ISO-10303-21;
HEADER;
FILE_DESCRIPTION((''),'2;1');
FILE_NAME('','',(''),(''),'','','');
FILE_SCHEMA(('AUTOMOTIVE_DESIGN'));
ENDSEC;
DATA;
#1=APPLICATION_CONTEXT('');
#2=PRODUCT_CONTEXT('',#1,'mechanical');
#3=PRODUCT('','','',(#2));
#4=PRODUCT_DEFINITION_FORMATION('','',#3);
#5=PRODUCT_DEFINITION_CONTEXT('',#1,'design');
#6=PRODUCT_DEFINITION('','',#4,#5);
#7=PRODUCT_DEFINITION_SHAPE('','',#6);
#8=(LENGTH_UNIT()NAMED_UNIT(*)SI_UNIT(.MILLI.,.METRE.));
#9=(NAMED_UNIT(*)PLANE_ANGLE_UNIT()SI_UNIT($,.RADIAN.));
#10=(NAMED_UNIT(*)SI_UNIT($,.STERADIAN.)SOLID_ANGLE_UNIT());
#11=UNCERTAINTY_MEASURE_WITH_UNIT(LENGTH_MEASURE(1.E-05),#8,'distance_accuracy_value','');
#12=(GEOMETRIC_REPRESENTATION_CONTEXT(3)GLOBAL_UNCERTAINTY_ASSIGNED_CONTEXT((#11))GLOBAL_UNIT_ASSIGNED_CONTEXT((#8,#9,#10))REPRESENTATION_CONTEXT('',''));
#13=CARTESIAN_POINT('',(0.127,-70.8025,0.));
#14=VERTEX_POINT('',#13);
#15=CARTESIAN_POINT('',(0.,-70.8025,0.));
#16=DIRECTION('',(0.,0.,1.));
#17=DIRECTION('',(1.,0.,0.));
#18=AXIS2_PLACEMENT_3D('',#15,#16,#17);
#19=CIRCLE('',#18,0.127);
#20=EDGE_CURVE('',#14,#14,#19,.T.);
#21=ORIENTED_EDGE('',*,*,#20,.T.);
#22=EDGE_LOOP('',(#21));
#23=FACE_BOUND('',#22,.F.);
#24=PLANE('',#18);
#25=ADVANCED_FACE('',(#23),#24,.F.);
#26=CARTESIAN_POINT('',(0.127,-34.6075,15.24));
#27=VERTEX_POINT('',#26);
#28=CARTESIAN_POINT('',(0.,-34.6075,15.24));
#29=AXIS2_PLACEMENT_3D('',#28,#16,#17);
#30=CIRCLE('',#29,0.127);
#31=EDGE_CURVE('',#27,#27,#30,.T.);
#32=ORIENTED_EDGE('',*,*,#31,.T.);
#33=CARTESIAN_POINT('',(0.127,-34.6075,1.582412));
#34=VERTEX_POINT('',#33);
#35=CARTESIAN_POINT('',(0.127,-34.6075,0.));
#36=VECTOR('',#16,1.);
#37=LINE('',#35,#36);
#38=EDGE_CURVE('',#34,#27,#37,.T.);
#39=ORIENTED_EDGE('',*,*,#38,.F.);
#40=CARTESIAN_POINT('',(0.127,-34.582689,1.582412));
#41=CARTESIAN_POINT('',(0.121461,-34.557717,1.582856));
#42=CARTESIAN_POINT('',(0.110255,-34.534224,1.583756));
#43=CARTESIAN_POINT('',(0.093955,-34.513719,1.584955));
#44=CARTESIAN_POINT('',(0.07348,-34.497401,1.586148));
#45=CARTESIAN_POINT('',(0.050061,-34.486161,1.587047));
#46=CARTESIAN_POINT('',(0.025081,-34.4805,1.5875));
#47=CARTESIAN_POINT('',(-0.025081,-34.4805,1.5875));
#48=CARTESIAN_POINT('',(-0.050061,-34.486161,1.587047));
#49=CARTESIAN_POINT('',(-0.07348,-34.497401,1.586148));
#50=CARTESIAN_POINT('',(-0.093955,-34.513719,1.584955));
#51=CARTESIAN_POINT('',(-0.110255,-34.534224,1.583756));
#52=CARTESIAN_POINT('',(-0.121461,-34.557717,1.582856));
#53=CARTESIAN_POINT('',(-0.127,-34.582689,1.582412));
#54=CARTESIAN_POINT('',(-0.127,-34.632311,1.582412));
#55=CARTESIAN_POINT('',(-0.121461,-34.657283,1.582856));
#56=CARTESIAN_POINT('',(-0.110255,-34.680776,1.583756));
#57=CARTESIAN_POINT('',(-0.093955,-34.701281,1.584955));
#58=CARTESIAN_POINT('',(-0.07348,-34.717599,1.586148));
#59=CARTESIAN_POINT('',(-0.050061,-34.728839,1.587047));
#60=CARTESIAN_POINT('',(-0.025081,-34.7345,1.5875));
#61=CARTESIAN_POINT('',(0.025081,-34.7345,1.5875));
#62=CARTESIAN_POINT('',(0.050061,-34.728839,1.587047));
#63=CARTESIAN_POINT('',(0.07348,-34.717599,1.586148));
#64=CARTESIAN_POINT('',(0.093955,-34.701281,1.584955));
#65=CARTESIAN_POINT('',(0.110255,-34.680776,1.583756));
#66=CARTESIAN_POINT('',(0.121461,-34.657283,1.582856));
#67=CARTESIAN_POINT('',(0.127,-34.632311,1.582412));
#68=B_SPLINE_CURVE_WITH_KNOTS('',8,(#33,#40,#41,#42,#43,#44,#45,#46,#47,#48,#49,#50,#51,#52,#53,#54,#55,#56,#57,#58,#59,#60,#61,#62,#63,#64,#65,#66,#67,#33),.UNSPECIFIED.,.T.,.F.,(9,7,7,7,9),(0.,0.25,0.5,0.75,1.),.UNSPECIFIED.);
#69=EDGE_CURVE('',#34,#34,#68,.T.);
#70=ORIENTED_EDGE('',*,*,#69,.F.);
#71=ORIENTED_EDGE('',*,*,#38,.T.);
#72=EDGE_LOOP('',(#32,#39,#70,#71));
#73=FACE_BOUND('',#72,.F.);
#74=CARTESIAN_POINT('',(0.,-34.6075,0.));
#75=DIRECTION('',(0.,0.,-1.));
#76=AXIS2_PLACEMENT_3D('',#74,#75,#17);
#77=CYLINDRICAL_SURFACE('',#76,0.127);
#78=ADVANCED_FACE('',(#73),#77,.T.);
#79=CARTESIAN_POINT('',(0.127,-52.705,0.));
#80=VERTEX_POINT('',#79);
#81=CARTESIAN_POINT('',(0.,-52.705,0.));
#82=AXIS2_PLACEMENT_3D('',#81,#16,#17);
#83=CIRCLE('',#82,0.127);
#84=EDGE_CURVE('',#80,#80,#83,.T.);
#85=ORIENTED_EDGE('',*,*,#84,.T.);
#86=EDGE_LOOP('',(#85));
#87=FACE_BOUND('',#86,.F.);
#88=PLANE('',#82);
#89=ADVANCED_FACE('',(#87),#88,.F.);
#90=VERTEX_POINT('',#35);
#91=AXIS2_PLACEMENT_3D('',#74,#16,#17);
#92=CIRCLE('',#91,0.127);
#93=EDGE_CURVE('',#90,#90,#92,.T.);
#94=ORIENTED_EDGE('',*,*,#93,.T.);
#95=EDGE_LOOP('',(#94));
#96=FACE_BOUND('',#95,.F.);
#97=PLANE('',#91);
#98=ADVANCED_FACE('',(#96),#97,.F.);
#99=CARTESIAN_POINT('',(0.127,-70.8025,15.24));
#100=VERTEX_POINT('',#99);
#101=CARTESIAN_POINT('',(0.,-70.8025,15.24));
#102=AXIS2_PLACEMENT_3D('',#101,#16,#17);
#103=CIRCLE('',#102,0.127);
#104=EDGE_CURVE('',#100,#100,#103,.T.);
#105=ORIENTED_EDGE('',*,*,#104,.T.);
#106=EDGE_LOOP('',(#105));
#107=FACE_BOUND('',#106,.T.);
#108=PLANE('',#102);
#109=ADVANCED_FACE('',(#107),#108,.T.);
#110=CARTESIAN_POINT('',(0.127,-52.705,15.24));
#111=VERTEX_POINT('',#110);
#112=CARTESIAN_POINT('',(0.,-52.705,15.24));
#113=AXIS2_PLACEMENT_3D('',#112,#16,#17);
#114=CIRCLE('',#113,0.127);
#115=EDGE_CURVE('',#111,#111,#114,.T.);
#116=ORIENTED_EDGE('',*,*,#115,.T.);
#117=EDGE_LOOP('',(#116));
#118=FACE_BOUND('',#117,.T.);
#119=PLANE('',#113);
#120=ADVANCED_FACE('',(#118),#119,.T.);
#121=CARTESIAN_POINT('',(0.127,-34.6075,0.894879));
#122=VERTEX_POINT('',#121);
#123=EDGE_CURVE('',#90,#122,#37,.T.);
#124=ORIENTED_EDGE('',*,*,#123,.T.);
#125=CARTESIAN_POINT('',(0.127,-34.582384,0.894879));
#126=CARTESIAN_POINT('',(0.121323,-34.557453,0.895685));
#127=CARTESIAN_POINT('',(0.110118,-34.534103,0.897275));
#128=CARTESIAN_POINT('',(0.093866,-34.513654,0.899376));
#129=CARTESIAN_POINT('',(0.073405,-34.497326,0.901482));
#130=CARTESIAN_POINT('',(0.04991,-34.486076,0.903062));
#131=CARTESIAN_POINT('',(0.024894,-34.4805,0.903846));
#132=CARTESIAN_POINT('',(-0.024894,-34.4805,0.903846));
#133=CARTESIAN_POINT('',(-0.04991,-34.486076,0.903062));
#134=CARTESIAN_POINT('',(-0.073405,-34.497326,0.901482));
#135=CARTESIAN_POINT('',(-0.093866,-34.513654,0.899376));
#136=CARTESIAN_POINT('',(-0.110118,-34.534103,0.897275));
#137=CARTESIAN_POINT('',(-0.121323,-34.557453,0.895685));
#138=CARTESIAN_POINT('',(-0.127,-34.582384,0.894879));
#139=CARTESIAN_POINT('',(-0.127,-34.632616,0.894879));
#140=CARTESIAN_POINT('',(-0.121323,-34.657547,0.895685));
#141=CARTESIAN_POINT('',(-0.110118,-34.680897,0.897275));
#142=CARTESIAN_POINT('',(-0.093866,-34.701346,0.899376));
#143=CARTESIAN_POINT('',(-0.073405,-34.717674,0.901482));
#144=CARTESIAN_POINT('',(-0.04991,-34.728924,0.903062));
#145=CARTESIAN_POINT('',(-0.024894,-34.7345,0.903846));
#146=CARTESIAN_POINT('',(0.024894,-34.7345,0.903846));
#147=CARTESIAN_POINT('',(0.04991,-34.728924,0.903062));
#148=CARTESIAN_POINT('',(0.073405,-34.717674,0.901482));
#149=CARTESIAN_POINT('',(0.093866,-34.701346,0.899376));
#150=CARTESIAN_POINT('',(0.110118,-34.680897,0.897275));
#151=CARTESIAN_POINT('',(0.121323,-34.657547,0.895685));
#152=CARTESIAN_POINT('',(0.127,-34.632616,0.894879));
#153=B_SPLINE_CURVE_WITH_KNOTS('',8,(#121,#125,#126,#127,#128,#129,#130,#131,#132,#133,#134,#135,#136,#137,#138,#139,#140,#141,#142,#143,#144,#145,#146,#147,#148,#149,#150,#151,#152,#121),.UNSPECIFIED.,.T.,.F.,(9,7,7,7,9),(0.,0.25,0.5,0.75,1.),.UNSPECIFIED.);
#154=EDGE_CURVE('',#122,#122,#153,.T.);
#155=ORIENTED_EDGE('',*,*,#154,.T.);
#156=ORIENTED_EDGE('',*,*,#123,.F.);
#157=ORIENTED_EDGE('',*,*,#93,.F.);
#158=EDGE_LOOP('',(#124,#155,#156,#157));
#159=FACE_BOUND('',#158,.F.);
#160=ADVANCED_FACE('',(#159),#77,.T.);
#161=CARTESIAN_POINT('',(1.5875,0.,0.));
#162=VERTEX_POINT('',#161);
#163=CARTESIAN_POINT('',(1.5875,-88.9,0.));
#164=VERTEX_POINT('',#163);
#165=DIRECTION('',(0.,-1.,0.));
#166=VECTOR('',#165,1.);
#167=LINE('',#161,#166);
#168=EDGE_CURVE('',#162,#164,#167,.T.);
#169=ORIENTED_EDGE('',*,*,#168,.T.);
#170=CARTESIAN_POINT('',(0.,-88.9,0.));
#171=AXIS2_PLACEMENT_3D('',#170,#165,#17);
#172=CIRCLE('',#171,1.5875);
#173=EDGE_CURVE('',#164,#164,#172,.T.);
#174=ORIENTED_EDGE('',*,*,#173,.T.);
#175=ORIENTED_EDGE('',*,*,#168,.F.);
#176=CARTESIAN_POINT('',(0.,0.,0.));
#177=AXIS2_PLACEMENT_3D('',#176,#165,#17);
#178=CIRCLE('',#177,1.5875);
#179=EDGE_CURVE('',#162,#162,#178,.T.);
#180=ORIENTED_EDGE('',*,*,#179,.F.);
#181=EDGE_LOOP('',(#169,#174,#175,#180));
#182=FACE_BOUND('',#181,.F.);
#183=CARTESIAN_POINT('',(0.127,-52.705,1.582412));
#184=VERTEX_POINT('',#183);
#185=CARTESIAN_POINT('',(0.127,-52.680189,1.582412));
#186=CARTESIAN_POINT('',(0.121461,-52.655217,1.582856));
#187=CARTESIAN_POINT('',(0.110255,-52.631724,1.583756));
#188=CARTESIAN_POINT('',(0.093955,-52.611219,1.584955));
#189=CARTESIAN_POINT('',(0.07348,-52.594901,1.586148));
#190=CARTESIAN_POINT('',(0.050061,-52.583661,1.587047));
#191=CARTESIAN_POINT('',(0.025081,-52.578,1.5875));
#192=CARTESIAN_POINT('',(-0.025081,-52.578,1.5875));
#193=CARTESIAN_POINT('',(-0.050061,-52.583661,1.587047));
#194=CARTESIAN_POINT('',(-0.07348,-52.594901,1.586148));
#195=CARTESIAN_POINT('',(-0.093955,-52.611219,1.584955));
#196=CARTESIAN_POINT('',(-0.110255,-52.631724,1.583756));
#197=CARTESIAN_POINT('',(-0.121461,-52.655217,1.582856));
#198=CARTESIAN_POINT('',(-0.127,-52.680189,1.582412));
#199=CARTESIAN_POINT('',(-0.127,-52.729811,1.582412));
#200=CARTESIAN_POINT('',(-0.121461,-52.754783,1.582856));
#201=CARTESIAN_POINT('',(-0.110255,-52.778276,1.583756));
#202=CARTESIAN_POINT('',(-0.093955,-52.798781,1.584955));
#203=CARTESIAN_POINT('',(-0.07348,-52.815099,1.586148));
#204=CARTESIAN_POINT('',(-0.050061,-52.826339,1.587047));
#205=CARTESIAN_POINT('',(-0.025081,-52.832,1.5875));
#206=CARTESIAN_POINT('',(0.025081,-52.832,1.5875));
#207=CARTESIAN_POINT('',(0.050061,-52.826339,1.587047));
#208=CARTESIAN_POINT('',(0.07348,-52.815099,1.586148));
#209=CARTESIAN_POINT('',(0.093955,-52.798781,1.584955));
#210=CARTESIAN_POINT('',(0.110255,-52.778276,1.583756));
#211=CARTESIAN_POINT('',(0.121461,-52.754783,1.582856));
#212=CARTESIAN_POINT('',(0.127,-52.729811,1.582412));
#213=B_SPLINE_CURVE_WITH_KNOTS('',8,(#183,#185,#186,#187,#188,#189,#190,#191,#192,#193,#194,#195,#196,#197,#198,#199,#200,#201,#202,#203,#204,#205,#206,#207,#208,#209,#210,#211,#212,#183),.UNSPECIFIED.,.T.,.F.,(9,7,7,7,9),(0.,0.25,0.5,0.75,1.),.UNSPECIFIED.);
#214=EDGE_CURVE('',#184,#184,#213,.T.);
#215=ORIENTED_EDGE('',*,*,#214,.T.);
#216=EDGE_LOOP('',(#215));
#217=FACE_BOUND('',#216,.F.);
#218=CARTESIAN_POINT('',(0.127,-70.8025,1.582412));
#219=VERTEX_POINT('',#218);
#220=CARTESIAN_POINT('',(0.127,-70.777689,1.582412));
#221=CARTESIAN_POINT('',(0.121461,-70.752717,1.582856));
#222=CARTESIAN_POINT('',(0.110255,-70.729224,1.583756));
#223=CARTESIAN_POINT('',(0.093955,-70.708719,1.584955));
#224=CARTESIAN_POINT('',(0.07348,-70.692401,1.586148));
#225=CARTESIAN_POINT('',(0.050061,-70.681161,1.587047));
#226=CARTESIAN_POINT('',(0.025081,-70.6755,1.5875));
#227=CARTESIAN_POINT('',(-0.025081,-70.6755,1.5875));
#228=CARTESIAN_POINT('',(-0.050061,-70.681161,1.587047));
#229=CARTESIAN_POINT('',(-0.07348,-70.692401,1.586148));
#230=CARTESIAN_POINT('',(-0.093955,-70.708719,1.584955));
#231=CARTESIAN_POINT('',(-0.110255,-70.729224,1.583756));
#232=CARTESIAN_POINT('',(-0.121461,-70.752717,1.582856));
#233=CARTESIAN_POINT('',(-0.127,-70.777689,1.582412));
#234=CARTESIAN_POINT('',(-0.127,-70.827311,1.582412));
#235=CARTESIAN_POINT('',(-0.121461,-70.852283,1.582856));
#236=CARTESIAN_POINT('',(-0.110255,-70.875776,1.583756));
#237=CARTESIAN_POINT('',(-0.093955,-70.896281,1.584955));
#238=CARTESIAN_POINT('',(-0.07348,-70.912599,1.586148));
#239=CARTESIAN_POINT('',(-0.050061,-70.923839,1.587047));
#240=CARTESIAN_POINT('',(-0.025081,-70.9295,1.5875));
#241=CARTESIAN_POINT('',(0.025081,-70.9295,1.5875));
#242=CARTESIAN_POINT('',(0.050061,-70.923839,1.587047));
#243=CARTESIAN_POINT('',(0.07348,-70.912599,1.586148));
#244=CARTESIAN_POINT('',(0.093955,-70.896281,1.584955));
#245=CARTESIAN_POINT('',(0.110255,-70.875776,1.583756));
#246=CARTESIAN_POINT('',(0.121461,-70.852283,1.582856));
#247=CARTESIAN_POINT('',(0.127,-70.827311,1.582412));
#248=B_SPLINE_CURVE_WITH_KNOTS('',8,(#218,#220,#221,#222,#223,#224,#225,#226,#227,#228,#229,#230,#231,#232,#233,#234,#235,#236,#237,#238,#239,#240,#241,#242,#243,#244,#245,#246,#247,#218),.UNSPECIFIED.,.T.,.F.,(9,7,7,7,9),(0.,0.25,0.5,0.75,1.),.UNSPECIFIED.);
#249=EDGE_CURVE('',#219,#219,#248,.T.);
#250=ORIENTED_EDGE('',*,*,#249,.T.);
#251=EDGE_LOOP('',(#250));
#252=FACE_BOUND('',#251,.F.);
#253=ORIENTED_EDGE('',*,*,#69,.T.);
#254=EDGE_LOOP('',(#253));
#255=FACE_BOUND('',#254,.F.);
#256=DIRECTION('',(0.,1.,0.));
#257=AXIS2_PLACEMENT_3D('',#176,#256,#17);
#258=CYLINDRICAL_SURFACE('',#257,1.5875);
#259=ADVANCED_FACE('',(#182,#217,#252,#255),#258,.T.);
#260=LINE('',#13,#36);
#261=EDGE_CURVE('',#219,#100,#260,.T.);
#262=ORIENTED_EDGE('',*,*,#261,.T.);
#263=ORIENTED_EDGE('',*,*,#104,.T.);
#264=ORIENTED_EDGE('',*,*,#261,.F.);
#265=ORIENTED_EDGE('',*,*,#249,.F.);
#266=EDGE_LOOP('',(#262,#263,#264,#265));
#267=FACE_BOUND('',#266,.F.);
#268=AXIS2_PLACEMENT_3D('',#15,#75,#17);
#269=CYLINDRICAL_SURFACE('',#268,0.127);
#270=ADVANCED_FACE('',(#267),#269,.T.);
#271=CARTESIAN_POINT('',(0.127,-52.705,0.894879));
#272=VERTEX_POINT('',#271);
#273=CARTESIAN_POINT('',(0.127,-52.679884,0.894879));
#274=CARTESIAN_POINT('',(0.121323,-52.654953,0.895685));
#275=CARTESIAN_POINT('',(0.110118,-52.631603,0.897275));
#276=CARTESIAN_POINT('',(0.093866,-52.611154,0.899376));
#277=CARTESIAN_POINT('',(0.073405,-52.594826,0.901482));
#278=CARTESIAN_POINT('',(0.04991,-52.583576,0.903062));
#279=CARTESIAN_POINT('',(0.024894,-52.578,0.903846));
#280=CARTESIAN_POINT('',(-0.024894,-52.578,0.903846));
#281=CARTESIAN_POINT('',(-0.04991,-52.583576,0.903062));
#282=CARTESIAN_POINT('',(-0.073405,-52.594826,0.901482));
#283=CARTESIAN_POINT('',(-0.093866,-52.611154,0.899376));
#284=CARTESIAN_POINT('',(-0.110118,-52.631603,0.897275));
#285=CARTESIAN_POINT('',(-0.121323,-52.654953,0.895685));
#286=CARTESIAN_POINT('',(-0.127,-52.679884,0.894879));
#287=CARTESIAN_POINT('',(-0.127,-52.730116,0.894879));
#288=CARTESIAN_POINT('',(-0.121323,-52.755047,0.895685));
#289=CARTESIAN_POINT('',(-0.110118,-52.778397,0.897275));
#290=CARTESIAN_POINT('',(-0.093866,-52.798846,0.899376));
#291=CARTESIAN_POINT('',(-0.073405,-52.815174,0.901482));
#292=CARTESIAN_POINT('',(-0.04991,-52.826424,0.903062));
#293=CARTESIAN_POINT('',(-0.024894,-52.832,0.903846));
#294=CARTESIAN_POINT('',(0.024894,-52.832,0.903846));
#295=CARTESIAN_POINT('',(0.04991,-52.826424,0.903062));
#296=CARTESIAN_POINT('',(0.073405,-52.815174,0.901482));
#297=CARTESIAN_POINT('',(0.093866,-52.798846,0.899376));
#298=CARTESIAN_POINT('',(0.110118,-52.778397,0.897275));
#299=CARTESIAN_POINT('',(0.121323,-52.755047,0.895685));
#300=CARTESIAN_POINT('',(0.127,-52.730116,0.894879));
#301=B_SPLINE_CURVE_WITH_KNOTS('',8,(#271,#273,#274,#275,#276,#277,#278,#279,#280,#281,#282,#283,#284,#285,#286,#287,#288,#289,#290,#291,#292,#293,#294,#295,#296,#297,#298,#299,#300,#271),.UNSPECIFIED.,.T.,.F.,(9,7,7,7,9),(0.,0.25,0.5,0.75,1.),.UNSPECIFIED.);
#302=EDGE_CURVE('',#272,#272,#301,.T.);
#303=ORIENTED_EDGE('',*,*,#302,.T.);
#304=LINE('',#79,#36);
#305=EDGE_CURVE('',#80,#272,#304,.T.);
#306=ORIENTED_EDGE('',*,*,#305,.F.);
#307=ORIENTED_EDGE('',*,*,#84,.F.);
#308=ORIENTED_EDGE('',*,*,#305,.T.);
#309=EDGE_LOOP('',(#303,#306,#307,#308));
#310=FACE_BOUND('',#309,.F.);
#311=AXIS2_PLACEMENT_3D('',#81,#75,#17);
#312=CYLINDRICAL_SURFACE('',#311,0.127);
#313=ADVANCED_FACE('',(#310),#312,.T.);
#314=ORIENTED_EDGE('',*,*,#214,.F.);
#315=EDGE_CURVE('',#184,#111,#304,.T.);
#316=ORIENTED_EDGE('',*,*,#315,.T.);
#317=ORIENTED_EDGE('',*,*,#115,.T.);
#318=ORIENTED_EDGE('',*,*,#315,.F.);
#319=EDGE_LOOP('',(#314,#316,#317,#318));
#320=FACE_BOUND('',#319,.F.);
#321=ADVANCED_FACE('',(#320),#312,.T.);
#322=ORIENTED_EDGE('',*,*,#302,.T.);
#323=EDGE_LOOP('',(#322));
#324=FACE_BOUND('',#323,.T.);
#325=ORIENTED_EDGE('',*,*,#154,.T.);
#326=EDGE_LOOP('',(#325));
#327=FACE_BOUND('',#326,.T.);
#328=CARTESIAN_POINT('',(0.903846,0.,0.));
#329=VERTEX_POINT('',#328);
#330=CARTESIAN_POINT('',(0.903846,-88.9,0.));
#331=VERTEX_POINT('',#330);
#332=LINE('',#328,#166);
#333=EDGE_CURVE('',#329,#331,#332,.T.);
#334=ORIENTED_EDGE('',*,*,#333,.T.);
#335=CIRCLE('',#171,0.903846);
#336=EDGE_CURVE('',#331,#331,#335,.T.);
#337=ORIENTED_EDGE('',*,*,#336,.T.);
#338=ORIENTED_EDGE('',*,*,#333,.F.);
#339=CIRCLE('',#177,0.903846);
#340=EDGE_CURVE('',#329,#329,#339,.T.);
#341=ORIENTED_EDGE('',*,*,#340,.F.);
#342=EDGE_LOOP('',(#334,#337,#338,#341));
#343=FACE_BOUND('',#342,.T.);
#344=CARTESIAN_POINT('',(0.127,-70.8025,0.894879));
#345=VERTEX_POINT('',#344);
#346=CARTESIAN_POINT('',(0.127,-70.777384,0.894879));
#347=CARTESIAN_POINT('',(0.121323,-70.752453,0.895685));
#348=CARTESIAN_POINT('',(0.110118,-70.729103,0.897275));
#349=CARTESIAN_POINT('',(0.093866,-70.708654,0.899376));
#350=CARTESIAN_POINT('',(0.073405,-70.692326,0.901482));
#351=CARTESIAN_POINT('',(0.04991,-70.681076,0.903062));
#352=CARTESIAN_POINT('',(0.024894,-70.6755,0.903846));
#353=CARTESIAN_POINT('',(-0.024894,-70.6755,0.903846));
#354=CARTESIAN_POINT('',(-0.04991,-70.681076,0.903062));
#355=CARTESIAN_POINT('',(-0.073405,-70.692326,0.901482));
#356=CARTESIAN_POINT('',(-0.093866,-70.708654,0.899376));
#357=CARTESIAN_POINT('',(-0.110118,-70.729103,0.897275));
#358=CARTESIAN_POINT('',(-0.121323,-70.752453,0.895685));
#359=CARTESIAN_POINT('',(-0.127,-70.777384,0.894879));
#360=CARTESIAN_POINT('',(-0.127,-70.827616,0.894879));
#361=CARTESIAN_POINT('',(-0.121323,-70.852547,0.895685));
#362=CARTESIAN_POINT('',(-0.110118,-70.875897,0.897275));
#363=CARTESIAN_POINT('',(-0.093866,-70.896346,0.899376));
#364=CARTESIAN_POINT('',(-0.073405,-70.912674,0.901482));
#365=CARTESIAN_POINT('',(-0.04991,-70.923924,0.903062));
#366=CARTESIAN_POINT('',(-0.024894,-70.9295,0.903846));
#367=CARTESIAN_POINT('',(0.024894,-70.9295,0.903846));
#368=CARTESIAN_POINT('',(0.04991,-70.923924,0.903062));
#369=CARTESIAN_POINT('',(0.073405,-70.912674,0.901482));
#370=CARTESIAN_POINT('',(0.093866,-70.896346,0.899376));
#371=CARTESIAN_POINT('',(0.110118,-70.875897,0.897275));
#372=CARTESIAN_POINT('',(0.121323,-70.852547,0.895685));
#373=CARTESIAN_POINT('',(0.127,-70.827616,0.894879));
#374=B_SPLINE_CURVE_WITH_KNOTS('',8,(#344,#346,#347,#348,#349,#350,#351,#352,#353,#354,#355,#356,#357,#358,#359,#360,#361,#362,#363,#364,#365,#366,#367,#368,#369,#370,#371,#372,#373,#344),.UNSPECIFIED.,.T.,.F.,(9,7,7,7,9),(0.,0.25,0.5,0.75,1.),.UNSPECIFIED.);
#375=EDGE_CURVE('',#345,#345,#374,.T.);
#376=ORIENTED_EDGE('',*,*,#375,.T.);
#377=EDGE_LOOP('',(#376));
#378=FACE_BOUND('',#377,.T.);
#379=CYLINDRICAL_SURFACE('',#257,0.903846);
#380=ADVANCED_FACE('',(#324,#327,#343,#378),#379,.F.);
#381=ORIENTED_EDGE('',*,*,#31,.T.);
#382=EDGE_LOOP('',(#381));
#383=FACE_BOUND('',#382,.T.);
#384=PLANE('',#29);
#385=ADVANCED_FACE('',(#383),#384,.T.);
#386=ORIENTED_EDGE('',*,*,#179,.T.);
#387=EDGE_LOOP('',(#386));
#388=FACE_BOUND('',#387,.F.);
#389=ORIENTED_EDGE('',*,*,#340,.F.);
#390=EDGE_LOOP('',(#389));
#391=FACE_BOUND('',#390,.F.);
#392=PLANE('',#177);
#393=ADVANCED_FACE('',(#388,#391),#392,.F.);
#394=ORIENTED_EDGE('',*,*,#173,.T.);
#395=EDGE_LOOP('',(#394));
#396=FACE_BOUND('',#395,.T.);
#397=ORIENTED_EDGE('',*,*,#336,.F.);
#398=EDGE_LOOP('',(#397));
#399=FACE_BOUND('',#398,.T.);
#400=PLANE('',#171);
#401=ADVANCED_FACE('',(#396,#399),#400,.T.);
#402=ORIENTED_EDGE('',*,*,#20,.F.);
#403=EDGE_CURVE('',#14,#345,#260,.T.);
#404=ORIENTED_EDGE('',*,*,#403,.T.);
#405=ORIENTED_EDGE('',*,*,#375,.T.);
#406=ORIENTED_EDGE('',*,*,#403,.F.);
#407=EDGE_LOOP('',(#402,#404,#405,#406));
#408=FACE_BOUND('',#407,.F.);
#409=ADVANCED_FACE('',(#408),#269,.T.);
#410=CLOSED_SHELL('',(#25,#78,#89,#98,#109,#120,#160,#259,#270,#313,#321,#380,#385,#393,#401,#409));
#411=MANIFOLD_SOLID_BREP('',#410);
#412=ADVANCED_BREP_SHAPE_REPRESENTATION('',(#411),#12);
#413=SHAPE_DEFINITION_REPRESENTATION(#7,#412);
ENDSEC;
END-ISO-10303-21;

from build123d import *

# Parameters (mm, degrees)
F0_R     = 1.5875
F0_R_2   = 0.903846
F1_DEPTH = 88.9
F2_R     = 0.127
F3_DEPTH = 15.24


with BuildPart() as f1:
    # F0 (on Front) → F1 (new body)
    with BuildSketch(Plane.XZ):
        Circle(F0_R)
        Circle(F0_R_2, mode=Mode.SUBTRACT)
    extrude(amount=F1_DEPTH)

    # F2 (on Top) → F3 (join)
    with BuildSketch(Plane.XY):
        with Locations((0, -70.8025)):
            Circle(F2_R)
        with Locations((0, -34.6075)):
            Circle(F2_R)
        with Locations((0, -52.705)):
            Circle(F2_R)
    extrude(amount=F3_DEPTH)


solid = f1.part
